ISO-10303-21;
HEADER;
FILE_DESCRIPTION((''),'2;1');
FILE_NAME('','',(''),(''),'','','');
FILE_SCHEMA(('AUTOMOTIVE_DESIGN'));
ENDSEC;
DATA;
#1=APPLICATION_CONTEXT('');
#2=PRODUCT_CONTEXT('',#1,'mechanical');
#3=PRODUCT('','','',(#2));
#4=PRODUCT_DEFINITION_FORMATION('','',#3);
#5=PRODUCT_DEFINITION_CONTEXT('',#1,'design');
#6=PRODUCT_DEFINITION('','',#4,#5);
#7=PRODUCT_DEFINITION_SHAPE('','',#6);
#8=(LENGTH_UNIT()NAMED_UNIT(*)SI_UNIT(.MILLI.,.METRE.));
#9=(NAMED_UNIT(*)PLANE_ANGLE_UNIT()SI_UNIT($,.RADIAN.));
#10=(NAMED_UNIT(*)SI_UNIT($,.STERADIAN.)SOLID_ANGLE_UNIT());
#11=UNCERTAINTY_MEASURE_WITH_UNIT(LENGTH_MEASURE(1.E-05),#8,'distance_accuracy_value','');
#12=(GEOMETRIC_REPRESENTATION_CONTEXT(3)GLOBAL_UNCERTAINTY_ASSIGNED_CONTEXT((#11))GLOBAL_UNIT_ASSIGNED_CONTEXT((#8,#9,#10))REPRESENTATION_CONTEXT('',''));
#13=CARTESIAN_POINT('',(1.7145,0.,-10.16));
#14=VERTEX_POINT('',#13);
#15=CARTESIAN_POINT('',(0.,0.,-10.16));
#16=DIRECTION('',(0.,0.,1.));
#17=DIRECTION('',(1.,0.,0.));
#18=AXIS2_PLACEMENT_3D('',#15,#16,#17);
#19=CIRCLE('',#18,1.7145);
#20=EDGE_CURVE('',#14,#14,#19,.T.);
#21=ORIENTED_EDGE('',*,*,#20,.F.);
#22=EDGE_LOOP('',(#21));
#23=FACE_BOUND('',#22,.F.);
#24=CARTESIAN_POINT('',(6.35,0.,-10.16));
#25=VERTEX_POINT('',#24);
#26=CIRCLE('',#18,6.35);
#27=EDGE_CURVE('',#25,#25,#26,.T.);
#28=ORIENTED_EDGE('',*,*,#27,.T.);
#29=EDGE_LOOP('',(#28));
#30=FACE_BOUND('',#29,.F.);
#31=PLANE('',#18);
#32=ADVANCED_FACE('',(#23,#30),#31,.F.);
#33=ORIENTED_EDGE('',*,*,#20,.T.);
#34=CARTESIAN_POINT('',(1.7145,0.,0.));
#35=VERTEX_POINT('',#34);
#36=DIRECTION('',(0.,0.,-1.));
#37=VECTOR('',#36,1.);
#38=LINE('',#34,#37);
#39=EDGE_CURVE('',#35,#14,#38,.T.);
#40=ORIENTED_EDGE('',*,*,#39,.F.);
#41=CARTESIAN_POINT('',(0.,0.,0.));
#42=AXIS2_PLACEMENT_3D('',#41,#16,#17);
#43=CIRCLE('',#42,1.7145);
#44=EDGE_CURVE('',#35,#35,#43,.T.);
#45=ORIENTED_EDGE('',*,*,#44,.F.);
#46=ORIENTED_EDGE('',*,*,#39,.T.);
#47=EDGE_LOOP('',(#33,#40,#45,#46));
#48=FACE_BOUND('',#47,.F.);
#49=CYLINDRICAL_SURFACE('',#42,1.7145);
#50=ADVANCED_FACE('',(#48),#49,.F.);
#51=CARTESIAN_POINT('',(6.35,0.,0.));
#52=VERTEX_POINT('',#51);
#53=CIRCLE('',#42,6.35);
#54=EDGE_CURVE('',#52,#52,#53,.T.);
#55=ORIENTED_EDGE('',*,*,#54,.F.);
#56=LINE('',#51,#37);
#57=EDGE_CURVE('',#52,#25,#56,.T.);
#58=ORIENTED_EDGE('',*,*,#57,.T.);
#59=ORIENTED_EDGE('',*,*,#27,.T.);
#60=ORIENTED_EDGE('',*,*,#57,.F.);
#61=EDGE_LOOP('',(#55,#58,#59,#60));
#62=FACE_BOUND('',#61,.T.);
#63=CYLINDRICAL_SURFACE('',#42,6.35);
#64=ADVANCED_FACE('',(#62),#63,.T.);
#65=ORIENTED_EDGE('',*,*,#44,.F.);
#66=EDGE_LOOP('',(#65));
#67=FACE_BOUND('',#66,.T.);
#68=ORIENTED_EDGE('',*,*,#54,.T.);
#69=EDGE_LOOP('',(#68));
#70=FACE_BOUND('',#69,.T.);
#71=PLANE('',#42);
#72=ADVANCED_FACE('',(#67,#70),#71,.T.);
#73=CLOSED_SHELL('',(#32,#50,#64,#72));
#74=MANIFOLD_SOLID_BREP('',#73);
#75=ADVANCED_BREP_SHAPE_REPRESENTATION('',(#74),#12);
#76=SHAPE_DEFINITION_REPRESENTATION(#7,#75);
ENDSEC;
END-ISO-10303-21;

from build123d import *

# Parameters (mm, degrees)
SKETCH1_R           = 6.35
SKETCH1_R_2         = 1.7145
BOSS_EXTRUDE1_DEPTH = 10.16


with BuildPart() as part:
    # Sketch1 → Boss-Extrude1 (new body)
    with BuildSketch(Plane.XY):
        Circle(SKETCH1_R)
        Circle(SKETCH1_R_2, mode=Mode.SUBTRACT)
    extrude(amount=-BOSS_EXTRUDE1_DEPTH)


solid = part.part
